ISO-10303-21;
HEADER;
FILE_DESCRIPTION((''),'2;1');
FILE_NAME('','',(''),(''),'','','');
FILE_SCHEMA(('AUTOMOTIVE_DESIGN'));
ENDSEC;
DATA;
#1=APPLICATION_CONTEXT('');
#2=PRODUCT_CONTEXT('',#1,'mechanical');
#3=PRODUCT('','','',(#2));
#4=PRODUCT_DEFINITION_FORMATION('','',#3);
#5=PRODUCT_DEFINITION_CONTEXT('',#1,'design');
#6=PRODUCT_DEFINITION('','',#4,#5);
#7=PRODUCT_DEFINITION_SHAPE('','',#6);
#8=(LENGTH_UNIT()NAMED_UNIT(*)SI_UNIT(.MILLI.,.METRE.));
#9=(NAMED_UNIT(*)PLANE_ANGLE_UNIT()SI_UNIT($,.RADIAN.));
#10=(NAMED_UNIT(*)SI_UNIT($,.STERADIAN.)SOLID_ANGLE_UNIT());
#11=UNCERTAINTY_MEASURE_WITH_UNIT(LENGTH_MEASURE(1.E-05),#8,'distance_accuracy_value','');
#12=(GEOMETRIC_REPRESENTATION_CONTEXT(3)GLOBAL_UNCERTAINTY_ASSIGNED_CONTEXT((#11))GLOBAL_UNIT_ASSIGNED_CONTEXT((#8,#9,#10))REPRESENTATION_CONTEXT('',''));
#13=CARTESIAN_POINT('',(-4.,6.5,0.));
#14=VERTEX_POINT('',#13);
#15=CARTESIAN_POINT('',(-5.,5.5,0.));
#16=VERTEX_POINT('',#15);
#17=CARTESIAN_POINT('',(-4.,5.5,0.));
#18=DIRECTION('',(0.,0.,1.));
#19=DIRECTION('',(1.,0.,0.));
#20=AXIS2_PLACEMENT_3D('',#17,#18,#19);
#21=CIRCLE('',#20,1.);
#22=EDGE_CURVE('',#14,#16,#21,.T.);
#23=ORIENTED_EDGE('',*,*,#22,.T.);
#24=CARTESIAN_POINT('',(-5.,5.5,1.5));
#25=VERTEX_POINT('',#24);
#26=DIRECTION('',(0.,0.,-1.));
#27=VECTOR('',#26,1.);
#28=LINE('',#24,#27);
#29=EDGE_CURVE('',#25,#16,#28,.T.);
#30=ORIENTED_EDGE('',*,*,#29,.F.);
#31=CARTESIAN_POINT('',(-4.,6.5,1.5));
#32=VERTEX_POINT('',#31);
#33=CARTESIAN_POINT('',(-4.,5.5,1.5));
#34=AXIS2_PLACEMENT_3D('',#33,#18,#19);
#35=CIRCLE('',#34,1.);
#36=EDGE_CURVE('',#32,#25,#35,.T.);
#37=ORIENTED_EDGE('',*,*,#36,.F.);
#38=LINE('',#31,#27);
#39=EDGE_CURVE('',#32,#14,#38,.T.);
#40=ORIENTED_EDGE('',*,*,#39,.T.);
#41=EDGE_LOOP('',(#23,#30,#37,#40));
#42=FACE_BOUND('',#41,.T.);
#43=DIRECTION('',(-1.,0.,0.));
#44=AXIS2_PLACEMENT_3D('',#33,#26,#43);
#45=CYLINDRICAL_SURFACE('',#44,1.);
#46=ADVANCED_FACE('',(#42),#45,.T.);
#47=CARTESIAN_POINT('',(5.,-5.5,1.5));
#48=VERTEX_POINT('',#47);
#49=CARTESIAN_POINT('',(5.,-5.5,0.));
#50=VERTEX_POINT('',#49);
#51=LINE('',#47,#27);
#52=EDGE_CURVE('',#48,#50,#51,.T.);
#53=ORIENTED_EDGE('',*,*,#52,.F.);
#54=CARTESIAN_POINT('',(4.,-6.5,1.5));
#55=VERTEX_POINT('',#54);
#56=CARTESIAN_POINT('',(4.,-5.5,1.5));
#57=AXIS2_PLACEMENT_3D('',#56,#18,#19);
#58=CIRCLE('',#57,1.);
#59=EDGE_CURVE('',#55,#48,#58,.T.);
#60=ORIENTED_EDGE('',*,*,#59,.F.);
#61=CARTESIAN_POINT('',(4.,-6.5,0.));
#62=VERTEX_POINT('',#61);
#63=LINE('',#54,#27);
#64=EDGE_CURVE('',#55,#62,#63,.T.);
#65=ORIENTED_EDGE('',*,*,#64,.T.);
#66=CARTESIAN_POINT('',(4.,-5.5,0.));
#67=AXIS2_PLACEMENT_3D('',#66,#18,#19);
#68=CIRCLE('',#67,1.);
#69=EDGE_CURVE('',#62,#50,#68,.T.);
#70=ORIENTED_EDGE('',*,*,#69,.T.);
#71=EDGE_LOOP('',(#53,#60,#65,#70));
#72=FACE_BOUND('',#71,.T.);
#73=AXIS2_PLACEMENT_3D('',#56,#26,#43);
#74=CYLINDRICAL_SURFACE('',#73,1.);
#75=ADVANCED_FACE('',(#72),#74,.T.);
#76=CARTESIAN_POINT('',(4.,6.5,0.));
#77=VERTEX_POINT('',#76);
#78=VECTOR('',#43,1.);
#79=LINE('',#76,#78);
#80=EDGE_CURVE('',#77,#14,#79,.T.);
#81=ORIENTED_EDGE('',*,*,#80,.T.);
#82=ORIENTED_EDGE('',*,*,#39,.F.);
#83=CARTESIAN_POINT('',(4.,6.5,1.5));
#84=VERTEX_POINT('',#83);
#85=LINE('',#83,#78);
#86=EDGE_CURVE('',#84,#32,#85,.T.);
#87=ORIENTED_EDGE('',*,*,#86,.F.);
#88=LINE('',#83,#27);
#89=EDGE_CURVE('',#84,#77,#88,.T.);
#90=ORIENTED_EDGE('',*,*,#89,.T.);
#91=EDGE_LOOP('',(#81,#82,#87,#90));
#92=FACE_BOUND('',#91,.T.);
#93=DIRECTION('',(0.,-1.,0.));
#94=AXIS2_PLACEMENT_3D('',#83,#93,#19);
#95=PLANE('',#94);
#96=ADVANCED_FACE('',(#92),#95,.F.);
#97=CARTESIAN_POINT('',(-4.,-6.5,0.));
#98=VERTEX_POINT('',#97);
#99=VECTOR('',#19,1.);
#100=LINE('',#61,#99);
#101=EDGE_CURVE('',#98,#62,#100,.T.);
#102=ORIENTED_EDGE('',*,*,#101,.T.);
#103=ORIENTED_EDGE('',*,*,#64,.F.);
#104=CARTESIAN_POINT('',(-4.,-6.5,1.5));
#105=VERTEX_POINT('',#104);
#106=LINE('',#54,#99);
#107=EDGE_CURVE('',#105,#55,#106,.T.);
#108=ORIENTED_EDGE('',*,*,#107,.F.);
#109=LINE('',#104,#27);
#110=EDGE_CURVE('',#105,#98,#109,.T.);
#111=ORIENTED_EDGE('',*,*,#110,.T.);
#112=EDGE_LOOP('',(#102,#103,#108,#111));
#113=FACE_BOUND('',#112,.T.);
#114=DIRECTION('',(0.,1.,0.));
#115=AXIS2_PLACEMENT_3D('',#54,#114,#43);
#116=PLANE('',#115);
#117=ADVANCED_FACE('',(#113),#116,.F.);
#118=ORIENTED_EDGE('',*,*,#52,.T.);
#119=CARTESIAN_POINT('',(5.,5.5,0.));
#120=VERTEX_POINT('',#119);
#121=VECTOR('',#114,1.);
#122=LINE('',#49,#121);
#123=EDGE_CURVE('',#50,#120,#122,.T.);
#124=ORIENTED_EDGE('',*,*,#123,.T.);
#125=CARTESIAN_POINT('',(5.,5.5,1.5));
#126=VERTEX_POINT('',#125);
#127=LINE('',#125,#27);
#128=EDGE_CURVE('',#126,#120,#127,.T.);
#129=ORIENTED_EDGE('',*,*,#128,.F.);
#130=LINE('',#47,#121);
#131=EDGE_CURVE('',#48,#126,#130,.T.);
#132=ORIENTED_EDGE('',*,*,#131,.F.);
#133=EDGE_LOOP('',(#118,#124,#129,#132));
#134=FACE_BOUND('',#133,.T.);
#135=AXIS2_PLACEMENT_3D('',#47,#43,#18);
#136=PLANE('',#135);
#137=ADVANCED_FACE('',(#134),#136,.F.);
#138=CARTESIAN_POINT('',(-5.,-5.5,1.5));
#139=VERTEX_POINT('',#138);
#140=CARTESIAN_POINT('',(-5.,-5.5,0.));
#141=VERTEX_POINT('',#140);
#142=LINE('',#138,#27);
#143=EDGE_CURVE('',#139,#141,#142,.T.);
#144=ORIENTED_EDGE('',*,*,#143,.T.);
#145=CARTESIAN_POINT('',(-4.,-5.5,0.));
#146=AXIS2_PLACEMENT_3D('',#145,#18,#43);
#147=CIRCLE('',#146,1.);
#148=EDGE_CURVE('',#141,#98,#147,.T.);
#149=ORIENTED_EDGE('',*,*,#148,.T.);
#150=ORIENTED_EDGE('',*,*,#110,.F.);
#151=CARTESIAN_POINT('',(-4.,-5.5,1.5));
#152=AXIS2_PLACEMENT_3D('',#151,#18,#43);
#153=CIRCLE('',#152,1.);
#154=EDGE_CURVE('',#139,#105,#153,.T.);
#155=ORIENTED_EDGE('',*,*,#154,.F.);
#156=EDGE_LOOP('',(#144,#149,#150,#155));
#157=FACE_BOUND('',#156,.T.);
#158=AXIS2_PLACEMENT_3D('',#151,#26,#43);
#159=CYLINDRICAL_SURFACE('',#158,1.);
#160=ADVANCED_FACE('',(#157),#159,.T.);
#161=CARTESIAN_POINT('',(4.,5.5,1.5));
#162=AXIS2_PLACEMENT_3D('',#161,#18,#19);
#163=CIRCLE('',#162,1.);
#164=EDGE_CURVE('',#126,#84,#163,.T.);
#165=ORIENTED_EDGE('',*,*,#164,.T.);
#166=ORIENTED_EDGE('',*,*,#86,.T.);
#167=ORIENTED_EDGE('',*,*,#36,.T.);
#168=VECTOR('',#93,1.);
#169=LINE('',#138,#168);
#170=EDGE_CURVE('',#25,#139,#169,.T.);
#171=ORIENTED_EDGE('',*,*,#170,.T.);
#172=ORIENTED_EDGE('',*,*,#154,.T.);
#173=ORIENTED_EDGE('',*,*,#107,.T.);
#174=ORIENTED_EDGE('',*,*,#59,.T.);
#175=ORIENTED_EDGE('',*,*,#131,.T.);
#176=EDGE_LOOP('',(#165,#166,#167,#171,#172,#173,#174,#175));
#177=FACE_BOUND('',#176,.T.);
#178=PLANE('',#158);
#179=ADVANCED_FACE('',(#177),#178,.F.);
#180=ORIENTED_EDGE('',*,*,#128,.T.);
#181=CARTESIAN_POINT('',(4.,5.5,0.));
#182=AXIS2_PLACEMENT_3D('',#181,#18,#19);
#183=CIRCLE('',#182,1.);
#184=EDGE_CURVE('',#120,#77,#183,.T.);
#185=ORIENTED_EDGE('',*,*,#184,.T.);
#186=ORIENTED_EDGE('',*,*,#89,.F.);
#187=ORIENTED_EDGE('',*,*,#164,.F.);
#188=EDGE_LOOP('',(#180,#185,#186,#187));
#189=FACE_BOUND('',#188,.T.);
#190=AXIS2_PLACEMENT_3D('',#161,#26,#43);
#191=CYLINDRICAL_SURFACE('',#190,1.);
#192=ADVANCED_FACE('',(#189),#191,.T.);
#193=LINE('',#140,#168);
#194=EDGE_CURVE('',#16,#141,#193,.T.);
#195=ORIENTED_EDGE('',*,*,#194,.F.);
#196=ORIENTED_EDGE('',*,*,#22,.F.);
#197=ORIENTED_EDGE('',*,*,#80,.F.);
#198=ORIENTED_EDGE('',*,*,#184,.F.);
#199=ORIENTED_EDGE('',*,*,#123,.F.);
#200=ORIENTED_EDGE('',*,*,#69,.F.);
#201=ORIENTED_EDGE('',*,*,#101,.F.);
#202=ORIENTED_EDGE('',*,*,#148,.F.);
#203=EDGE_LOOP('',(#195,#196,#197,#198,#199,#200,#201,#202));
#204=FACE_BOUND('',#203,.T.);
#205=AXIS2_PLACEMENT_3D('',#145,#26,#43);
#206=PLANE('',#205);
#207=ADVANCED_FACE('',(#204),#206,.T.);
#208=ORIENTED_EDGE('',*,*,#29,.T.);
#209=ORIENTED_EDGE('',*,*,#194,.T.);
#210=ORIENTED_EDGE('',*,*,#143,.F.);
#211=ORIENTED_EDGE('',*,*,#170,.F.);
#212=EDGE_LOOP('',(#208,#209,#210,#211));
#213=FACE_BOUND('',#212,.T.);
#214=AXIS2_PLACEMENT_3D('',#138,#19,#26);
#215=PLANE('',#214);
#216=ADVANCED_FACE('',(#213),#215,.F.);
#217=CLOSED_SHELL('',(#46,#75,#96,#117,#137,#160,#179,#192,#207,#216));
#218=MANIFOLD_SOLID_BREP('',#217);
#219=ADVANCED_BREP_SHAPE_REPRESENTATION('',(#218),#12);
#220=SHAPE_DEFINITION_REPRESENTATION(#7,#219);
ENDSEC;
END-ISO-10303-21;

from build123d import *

# Parameters (mm, degrees)
BOSS_EXTRUDE1_DEPTH = 1.5


with BuildPart() as part:
    # Sketch1 → Boss-Extrude1 (new body)
    with BuildSketch(Plane.XY):
        with BuildLine():
            Line((4, -6.5), (-4, -6.5))
            ThreePointArc((-4, -6.5), (-4.707106781, -6.207106781), (-5, -5.5))
            Line((-5, -5.5), (-5, 5.5))
            ThreePointArc((-5, 5.5), (-4.707106781, 6.207106781), (-4, 6.5))
            Line((-4, 6.5), (4, 6.5))
            ThreePointArc((4, 6.5), (4.707106781, 6.207106781), (5, 5.5))
            Line((5, 5.5), (5, -5.5))
            ThreePointArc((5, -5.5), (4.707106781, -6.207106781), (4, -6.5))
        make_face()
    extrude(amount=BOSS_EXTRUDE1_DEPTH)


solid = part.part
